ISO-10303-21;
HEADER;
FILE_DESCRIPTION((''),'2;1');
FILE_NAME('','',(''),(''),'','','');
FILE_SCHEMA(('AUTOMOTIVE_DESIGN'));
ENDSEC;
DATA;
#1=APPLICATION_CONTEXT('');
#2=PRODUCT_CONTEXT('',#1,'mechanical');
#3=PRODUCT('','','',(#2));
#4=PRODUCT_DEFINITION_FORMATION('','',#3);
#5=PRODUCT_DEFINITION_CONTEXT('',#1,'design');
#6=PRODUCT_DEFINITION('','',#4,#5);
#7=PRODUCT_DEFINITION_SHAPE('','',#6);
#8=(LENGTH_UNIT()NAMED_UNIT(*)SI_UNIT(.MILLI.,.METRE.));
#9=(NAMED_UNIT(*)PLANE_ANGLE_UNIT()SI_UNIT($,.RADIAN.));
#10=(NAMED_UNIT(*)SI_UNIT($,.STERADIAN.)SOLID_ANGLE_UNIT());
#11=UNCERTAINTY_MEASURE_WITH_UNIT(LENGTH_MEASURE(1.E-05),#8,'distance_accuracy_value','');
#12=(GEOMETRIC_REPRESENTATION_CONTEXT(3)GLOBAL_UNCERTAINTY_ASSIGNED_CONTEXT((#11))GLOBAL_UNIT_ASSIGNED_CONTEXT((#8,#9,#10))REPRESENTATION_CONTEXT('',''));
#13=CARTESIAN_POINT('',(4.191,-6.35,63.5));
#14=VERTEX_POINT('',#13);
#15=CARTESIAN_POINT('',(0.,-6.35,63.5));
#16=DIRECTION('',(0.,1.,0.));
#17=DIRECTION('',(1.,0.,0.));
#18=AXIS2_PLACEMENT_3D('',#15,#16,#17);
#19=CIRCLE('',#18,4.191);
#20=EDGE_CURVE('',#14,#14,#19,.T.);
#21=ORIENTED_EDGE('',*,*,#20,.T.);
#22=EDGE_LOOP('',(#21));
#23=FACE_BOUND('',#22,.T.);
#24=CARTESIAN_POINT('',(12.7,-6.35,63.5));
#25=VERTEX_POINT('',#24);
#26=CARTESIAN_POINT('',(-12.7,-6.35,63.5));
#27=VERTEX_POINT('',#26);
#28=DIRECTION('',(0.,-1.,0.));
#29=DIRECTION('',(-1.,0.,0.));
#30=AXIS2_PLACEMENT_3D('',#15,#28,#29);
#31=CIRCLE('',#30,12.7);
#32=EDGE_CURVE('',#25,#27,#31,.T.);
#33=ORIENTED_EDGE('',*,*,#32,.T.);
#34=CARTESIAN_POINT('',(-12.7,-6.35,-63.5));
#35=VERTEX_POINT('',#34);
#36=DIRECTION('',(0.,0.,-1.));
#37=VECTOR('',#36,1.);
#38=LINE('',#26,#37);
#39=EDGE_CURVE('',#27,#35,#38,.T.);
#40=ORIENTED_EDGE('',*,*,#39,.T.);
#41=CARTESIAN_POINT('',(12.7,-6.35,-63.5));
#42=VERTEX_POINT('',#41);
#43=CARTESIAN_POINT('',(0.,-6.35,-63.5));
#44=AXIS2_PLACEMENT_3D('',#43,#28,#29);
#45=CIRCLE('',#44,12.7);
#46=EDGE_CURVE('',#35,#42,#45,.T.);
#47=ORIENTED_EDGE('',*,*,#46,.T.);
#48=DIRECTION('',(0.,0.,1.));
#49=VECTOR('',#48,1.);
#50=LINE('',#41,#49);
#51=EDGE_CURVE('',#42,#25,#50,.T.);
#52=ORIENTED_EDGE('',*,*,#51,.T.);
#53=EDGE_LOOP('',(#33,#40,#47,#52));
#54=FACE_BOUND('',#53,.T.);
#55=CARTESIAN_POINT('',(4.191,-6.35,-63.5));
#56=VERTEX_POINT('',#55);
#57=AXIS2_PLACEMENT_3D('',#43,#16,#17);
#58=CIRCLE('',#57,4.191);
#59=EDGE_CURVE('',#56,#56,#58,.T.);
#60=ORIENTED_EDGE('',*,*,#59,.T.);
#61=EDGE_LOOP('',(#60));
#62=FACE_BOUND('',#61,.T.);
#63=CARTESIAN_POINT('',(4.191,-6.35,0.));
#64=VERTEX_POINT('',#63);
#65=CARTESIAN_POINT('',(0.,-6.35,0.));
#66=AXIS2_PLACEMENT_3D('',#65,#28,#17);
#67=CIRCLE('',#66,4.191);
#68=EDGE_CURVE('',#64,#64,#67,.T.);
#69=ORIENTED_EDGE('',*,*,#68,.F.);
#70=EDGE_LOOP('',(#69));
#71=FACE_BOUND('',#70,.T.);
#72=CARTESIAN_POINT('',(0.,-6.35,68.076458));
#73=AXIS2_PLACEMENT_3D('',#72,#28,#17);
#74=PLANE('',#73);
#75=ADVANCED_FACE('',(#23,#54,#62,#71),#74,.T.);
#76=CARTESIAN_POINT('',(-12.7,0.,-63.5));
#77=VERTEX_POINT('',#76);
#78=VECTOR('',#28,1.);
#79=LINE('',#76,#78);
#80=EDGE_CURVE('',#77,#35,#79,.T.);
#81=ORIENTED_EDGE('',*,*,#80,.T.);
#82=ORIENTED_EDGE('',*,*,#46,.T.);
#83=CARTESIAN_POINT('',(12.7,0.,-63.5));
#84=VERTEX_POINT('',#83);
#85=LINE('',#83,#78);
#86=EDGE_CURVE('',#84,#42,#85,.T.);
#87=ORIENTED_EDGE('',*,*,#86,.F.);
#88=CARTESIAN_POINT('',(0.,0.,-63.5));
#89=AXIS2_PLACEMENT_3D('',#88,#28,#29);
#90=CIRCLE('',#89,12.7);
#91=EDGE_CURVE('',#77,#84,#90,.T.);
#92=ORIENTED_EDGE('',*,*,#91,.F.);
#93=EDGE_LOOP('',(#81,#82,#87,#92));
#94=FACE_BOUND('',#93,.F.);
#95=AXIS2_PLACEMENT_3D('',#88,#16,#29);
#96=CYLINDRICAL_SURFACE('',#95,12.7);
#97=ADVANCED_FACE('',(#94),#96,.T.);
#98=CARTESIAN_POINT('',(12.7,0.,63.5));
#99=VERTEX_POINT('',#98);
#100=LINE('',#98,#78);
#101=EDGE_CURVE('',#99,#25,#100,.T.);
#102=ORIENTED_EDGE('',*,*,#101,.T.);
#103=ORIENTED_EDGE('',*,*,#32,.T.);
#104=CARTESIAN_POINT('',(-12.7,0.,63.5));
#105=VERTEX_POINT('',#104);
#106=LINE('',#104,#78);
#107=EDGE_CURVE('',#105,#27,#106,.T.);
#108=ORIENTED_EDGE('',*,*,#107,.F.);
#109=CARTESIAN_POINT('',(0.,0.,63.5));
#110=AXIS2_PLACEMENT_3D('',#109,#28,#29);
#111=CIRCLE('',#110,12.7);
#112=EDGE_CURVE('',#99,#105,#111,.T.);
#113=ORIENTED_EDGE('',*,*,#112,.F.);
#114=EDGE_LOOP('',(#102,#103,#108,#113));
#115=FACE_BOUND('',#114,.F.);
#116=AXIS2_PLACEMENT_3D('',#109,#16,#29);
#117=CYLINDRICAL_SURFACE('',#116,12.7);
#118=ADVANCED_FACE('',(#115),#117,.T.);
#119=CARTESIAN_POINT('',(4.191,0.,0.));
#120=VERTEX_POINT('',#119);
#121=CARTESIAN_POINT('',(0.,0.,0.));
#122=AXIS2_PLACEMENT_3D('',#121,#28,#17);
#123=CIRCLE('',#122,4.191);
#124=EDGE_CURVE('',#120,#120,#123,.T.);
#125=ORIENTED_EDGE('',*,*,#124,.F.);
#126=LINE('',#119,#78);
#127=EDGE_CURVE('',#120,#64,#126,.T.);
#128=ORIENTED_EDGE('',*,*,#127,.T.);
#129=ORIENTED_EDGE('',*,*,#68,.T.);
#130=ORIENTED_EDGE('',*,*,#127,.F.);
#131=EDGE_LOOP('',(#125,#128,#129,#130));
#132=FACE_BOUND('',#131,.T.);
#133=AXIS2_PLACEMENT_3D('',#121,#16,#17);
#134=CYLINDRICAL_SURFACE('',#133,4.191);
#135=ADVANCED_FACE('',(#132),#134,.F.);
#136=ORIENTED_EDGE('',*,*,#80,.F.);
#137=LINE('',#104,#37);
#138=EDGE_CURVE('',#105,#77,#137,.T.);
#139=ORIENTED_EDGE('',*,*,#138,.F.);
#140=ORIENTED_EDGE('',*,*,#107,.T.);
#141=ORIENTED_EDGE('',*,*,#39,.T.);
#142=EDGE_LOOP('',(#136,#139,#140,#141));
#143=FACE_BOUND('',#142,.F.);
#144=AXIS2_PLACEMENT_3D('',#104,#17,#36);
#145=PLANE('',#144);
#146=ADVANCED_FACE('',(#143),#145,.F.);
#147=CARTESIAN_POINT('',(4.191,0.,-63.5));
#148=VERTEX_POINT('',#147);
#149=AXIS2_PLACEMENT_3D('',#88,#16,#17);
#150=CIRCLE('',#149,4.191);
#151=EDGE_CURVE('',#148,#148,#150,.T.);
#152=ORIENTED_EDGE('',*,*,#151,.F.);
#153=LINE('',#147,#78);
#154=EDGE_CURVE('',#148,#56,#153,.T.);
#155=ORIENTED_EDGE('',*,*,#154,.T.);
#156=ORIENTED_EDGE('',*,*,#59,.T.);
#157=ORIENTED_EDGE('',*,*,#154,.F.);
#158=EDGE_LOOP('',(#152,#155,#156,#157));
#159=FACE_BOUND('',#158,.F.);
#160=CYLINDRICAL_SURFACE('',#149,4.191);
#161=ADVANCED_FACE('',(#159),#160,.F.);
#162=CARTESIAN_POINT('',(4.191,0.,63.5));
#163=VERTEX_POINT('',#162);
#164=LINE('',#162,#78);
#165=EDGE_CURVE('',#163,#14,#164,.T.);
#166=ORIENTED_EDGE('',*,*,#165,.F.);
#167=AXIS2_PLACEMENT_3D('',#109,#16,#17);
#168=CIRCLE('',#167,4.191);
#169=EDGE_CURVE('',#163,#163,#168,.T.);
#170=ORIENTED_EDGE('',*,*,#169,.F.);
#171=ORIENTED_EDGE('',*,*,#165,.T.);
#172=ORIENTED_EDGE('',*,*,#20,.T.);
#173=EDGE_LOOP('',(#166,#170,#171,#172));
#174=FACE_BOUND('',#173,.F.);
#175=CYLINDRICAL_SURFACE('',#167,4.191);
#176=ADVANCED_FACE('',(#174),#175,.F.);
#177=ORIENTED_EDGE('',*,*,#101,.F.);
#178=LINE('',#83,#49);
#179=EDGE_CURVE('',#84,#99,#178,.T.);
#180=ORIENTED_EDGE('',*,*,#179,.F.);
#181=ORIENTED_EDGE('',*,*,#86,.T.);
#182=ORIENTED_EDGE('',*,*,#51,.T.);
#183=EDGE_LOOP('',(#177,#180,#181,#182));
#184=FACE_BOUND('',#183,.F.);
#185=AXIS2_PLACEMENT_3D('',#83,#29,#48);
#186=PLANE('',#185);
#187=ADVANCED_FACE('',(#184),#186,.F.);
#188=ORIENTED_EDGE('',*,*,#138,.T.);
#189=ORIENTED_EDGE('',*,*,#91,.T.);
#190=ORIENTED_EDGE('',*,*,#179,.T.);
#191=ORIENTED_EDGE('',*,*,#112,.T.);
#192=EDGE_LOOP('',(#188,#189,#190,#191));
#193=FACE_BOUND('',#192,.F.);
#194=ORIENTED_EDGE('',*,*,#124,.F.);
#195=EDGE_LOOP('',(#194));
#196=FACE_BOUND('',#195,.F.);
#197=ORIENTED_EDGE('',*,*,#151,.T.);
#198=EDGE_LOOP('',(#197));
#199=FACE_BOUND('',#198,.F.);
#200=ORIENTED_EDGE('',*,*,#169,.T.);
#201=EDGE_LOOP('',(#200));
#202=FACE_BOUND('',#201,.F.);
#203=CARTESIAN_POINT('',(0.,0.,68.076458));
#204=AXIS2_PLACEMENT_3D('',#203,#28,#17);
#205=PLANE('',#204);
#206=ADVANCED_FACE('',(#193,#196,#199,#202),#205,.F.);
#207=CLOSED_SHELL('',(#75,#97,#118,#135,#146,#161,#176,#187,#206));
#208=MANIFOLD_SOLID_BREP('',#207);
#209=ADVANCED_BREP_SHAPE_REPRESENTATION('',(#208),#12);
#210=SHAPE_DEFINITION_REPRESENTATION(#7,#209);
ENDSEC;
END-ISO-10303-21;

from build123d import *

# Parameters (mm, degrees)
F0_R     = 4.191
F1_DEPTH = 6.35


with BuildPart() as f1:
    # F0 (on Front) → F1 (new body)
    with BuildSketch(Plane.XZ):
        with BuildLine():
            Line((4.191, 63.5), (12.7, 63.5))
            ThreePointArc((12.7, 63.5), (0, 76.2), (-12.7, 63.5))
            Line((-12.7, 63.5), (-4.191, 63.5))
            ThreePointArc((-4.191, 63.5), (0, 67.691), (4.191, 63.5))
        make_face()
        with BuildLine():
            ThreePointArc((-12.7, 63.5), (0, 50.8), (12.7, 63.5))
            Line((12.7, 63.5), (4.191, 63.5))
            ThreePointArc((4.191, 63.5), (0, 59.309), (-4.191, 63.5))
            Line((-4.191, 63.5), (-12.7, 63.5))
        make_face()
        with BuildLine():
            Line((12.7, -63.5), (12.7, 63.5))
            ThreePointArc((12.7, 63.5), (0, 50.8), (-12.7, 63.5))
            Line((-12.7, 63.5), (-12.7, -63.5))
            ThreePointArc((-12.7, -63.5), (0, -50.8), (12.7, -63.5))
        make_face()
        Circle(F0_R, mode=Mode.SUBTRACT)
        with BuildLine():
            ThreePointArc((-12.7, -63.5), (0, -76.2), (12.7, -63.5))
            Line((12.7, -63.5), (4.191, -63.5))
            ThreePointArc((4.191, -63.5), (0, -67.691), (-4.191, -63.5))
            Line((-4.191, -63.5), (-12.7, -63.5))
        make_face()
        with BuildLine():
            Line((4.191, -63.5), (12.7, -63.5))
            ThreePointArc((12.7, -63.5), (0, -50.8), (-12.7, -63.5))
            Line((-12.7, -63.5), (-4.191, -63.5))
            ThreePointArc((-4.191, -63.5), (0, -59.309), (4.191, -63.5))
        make_face()
    extrude(amount=F1_DEPTH)


solid = f1.part
